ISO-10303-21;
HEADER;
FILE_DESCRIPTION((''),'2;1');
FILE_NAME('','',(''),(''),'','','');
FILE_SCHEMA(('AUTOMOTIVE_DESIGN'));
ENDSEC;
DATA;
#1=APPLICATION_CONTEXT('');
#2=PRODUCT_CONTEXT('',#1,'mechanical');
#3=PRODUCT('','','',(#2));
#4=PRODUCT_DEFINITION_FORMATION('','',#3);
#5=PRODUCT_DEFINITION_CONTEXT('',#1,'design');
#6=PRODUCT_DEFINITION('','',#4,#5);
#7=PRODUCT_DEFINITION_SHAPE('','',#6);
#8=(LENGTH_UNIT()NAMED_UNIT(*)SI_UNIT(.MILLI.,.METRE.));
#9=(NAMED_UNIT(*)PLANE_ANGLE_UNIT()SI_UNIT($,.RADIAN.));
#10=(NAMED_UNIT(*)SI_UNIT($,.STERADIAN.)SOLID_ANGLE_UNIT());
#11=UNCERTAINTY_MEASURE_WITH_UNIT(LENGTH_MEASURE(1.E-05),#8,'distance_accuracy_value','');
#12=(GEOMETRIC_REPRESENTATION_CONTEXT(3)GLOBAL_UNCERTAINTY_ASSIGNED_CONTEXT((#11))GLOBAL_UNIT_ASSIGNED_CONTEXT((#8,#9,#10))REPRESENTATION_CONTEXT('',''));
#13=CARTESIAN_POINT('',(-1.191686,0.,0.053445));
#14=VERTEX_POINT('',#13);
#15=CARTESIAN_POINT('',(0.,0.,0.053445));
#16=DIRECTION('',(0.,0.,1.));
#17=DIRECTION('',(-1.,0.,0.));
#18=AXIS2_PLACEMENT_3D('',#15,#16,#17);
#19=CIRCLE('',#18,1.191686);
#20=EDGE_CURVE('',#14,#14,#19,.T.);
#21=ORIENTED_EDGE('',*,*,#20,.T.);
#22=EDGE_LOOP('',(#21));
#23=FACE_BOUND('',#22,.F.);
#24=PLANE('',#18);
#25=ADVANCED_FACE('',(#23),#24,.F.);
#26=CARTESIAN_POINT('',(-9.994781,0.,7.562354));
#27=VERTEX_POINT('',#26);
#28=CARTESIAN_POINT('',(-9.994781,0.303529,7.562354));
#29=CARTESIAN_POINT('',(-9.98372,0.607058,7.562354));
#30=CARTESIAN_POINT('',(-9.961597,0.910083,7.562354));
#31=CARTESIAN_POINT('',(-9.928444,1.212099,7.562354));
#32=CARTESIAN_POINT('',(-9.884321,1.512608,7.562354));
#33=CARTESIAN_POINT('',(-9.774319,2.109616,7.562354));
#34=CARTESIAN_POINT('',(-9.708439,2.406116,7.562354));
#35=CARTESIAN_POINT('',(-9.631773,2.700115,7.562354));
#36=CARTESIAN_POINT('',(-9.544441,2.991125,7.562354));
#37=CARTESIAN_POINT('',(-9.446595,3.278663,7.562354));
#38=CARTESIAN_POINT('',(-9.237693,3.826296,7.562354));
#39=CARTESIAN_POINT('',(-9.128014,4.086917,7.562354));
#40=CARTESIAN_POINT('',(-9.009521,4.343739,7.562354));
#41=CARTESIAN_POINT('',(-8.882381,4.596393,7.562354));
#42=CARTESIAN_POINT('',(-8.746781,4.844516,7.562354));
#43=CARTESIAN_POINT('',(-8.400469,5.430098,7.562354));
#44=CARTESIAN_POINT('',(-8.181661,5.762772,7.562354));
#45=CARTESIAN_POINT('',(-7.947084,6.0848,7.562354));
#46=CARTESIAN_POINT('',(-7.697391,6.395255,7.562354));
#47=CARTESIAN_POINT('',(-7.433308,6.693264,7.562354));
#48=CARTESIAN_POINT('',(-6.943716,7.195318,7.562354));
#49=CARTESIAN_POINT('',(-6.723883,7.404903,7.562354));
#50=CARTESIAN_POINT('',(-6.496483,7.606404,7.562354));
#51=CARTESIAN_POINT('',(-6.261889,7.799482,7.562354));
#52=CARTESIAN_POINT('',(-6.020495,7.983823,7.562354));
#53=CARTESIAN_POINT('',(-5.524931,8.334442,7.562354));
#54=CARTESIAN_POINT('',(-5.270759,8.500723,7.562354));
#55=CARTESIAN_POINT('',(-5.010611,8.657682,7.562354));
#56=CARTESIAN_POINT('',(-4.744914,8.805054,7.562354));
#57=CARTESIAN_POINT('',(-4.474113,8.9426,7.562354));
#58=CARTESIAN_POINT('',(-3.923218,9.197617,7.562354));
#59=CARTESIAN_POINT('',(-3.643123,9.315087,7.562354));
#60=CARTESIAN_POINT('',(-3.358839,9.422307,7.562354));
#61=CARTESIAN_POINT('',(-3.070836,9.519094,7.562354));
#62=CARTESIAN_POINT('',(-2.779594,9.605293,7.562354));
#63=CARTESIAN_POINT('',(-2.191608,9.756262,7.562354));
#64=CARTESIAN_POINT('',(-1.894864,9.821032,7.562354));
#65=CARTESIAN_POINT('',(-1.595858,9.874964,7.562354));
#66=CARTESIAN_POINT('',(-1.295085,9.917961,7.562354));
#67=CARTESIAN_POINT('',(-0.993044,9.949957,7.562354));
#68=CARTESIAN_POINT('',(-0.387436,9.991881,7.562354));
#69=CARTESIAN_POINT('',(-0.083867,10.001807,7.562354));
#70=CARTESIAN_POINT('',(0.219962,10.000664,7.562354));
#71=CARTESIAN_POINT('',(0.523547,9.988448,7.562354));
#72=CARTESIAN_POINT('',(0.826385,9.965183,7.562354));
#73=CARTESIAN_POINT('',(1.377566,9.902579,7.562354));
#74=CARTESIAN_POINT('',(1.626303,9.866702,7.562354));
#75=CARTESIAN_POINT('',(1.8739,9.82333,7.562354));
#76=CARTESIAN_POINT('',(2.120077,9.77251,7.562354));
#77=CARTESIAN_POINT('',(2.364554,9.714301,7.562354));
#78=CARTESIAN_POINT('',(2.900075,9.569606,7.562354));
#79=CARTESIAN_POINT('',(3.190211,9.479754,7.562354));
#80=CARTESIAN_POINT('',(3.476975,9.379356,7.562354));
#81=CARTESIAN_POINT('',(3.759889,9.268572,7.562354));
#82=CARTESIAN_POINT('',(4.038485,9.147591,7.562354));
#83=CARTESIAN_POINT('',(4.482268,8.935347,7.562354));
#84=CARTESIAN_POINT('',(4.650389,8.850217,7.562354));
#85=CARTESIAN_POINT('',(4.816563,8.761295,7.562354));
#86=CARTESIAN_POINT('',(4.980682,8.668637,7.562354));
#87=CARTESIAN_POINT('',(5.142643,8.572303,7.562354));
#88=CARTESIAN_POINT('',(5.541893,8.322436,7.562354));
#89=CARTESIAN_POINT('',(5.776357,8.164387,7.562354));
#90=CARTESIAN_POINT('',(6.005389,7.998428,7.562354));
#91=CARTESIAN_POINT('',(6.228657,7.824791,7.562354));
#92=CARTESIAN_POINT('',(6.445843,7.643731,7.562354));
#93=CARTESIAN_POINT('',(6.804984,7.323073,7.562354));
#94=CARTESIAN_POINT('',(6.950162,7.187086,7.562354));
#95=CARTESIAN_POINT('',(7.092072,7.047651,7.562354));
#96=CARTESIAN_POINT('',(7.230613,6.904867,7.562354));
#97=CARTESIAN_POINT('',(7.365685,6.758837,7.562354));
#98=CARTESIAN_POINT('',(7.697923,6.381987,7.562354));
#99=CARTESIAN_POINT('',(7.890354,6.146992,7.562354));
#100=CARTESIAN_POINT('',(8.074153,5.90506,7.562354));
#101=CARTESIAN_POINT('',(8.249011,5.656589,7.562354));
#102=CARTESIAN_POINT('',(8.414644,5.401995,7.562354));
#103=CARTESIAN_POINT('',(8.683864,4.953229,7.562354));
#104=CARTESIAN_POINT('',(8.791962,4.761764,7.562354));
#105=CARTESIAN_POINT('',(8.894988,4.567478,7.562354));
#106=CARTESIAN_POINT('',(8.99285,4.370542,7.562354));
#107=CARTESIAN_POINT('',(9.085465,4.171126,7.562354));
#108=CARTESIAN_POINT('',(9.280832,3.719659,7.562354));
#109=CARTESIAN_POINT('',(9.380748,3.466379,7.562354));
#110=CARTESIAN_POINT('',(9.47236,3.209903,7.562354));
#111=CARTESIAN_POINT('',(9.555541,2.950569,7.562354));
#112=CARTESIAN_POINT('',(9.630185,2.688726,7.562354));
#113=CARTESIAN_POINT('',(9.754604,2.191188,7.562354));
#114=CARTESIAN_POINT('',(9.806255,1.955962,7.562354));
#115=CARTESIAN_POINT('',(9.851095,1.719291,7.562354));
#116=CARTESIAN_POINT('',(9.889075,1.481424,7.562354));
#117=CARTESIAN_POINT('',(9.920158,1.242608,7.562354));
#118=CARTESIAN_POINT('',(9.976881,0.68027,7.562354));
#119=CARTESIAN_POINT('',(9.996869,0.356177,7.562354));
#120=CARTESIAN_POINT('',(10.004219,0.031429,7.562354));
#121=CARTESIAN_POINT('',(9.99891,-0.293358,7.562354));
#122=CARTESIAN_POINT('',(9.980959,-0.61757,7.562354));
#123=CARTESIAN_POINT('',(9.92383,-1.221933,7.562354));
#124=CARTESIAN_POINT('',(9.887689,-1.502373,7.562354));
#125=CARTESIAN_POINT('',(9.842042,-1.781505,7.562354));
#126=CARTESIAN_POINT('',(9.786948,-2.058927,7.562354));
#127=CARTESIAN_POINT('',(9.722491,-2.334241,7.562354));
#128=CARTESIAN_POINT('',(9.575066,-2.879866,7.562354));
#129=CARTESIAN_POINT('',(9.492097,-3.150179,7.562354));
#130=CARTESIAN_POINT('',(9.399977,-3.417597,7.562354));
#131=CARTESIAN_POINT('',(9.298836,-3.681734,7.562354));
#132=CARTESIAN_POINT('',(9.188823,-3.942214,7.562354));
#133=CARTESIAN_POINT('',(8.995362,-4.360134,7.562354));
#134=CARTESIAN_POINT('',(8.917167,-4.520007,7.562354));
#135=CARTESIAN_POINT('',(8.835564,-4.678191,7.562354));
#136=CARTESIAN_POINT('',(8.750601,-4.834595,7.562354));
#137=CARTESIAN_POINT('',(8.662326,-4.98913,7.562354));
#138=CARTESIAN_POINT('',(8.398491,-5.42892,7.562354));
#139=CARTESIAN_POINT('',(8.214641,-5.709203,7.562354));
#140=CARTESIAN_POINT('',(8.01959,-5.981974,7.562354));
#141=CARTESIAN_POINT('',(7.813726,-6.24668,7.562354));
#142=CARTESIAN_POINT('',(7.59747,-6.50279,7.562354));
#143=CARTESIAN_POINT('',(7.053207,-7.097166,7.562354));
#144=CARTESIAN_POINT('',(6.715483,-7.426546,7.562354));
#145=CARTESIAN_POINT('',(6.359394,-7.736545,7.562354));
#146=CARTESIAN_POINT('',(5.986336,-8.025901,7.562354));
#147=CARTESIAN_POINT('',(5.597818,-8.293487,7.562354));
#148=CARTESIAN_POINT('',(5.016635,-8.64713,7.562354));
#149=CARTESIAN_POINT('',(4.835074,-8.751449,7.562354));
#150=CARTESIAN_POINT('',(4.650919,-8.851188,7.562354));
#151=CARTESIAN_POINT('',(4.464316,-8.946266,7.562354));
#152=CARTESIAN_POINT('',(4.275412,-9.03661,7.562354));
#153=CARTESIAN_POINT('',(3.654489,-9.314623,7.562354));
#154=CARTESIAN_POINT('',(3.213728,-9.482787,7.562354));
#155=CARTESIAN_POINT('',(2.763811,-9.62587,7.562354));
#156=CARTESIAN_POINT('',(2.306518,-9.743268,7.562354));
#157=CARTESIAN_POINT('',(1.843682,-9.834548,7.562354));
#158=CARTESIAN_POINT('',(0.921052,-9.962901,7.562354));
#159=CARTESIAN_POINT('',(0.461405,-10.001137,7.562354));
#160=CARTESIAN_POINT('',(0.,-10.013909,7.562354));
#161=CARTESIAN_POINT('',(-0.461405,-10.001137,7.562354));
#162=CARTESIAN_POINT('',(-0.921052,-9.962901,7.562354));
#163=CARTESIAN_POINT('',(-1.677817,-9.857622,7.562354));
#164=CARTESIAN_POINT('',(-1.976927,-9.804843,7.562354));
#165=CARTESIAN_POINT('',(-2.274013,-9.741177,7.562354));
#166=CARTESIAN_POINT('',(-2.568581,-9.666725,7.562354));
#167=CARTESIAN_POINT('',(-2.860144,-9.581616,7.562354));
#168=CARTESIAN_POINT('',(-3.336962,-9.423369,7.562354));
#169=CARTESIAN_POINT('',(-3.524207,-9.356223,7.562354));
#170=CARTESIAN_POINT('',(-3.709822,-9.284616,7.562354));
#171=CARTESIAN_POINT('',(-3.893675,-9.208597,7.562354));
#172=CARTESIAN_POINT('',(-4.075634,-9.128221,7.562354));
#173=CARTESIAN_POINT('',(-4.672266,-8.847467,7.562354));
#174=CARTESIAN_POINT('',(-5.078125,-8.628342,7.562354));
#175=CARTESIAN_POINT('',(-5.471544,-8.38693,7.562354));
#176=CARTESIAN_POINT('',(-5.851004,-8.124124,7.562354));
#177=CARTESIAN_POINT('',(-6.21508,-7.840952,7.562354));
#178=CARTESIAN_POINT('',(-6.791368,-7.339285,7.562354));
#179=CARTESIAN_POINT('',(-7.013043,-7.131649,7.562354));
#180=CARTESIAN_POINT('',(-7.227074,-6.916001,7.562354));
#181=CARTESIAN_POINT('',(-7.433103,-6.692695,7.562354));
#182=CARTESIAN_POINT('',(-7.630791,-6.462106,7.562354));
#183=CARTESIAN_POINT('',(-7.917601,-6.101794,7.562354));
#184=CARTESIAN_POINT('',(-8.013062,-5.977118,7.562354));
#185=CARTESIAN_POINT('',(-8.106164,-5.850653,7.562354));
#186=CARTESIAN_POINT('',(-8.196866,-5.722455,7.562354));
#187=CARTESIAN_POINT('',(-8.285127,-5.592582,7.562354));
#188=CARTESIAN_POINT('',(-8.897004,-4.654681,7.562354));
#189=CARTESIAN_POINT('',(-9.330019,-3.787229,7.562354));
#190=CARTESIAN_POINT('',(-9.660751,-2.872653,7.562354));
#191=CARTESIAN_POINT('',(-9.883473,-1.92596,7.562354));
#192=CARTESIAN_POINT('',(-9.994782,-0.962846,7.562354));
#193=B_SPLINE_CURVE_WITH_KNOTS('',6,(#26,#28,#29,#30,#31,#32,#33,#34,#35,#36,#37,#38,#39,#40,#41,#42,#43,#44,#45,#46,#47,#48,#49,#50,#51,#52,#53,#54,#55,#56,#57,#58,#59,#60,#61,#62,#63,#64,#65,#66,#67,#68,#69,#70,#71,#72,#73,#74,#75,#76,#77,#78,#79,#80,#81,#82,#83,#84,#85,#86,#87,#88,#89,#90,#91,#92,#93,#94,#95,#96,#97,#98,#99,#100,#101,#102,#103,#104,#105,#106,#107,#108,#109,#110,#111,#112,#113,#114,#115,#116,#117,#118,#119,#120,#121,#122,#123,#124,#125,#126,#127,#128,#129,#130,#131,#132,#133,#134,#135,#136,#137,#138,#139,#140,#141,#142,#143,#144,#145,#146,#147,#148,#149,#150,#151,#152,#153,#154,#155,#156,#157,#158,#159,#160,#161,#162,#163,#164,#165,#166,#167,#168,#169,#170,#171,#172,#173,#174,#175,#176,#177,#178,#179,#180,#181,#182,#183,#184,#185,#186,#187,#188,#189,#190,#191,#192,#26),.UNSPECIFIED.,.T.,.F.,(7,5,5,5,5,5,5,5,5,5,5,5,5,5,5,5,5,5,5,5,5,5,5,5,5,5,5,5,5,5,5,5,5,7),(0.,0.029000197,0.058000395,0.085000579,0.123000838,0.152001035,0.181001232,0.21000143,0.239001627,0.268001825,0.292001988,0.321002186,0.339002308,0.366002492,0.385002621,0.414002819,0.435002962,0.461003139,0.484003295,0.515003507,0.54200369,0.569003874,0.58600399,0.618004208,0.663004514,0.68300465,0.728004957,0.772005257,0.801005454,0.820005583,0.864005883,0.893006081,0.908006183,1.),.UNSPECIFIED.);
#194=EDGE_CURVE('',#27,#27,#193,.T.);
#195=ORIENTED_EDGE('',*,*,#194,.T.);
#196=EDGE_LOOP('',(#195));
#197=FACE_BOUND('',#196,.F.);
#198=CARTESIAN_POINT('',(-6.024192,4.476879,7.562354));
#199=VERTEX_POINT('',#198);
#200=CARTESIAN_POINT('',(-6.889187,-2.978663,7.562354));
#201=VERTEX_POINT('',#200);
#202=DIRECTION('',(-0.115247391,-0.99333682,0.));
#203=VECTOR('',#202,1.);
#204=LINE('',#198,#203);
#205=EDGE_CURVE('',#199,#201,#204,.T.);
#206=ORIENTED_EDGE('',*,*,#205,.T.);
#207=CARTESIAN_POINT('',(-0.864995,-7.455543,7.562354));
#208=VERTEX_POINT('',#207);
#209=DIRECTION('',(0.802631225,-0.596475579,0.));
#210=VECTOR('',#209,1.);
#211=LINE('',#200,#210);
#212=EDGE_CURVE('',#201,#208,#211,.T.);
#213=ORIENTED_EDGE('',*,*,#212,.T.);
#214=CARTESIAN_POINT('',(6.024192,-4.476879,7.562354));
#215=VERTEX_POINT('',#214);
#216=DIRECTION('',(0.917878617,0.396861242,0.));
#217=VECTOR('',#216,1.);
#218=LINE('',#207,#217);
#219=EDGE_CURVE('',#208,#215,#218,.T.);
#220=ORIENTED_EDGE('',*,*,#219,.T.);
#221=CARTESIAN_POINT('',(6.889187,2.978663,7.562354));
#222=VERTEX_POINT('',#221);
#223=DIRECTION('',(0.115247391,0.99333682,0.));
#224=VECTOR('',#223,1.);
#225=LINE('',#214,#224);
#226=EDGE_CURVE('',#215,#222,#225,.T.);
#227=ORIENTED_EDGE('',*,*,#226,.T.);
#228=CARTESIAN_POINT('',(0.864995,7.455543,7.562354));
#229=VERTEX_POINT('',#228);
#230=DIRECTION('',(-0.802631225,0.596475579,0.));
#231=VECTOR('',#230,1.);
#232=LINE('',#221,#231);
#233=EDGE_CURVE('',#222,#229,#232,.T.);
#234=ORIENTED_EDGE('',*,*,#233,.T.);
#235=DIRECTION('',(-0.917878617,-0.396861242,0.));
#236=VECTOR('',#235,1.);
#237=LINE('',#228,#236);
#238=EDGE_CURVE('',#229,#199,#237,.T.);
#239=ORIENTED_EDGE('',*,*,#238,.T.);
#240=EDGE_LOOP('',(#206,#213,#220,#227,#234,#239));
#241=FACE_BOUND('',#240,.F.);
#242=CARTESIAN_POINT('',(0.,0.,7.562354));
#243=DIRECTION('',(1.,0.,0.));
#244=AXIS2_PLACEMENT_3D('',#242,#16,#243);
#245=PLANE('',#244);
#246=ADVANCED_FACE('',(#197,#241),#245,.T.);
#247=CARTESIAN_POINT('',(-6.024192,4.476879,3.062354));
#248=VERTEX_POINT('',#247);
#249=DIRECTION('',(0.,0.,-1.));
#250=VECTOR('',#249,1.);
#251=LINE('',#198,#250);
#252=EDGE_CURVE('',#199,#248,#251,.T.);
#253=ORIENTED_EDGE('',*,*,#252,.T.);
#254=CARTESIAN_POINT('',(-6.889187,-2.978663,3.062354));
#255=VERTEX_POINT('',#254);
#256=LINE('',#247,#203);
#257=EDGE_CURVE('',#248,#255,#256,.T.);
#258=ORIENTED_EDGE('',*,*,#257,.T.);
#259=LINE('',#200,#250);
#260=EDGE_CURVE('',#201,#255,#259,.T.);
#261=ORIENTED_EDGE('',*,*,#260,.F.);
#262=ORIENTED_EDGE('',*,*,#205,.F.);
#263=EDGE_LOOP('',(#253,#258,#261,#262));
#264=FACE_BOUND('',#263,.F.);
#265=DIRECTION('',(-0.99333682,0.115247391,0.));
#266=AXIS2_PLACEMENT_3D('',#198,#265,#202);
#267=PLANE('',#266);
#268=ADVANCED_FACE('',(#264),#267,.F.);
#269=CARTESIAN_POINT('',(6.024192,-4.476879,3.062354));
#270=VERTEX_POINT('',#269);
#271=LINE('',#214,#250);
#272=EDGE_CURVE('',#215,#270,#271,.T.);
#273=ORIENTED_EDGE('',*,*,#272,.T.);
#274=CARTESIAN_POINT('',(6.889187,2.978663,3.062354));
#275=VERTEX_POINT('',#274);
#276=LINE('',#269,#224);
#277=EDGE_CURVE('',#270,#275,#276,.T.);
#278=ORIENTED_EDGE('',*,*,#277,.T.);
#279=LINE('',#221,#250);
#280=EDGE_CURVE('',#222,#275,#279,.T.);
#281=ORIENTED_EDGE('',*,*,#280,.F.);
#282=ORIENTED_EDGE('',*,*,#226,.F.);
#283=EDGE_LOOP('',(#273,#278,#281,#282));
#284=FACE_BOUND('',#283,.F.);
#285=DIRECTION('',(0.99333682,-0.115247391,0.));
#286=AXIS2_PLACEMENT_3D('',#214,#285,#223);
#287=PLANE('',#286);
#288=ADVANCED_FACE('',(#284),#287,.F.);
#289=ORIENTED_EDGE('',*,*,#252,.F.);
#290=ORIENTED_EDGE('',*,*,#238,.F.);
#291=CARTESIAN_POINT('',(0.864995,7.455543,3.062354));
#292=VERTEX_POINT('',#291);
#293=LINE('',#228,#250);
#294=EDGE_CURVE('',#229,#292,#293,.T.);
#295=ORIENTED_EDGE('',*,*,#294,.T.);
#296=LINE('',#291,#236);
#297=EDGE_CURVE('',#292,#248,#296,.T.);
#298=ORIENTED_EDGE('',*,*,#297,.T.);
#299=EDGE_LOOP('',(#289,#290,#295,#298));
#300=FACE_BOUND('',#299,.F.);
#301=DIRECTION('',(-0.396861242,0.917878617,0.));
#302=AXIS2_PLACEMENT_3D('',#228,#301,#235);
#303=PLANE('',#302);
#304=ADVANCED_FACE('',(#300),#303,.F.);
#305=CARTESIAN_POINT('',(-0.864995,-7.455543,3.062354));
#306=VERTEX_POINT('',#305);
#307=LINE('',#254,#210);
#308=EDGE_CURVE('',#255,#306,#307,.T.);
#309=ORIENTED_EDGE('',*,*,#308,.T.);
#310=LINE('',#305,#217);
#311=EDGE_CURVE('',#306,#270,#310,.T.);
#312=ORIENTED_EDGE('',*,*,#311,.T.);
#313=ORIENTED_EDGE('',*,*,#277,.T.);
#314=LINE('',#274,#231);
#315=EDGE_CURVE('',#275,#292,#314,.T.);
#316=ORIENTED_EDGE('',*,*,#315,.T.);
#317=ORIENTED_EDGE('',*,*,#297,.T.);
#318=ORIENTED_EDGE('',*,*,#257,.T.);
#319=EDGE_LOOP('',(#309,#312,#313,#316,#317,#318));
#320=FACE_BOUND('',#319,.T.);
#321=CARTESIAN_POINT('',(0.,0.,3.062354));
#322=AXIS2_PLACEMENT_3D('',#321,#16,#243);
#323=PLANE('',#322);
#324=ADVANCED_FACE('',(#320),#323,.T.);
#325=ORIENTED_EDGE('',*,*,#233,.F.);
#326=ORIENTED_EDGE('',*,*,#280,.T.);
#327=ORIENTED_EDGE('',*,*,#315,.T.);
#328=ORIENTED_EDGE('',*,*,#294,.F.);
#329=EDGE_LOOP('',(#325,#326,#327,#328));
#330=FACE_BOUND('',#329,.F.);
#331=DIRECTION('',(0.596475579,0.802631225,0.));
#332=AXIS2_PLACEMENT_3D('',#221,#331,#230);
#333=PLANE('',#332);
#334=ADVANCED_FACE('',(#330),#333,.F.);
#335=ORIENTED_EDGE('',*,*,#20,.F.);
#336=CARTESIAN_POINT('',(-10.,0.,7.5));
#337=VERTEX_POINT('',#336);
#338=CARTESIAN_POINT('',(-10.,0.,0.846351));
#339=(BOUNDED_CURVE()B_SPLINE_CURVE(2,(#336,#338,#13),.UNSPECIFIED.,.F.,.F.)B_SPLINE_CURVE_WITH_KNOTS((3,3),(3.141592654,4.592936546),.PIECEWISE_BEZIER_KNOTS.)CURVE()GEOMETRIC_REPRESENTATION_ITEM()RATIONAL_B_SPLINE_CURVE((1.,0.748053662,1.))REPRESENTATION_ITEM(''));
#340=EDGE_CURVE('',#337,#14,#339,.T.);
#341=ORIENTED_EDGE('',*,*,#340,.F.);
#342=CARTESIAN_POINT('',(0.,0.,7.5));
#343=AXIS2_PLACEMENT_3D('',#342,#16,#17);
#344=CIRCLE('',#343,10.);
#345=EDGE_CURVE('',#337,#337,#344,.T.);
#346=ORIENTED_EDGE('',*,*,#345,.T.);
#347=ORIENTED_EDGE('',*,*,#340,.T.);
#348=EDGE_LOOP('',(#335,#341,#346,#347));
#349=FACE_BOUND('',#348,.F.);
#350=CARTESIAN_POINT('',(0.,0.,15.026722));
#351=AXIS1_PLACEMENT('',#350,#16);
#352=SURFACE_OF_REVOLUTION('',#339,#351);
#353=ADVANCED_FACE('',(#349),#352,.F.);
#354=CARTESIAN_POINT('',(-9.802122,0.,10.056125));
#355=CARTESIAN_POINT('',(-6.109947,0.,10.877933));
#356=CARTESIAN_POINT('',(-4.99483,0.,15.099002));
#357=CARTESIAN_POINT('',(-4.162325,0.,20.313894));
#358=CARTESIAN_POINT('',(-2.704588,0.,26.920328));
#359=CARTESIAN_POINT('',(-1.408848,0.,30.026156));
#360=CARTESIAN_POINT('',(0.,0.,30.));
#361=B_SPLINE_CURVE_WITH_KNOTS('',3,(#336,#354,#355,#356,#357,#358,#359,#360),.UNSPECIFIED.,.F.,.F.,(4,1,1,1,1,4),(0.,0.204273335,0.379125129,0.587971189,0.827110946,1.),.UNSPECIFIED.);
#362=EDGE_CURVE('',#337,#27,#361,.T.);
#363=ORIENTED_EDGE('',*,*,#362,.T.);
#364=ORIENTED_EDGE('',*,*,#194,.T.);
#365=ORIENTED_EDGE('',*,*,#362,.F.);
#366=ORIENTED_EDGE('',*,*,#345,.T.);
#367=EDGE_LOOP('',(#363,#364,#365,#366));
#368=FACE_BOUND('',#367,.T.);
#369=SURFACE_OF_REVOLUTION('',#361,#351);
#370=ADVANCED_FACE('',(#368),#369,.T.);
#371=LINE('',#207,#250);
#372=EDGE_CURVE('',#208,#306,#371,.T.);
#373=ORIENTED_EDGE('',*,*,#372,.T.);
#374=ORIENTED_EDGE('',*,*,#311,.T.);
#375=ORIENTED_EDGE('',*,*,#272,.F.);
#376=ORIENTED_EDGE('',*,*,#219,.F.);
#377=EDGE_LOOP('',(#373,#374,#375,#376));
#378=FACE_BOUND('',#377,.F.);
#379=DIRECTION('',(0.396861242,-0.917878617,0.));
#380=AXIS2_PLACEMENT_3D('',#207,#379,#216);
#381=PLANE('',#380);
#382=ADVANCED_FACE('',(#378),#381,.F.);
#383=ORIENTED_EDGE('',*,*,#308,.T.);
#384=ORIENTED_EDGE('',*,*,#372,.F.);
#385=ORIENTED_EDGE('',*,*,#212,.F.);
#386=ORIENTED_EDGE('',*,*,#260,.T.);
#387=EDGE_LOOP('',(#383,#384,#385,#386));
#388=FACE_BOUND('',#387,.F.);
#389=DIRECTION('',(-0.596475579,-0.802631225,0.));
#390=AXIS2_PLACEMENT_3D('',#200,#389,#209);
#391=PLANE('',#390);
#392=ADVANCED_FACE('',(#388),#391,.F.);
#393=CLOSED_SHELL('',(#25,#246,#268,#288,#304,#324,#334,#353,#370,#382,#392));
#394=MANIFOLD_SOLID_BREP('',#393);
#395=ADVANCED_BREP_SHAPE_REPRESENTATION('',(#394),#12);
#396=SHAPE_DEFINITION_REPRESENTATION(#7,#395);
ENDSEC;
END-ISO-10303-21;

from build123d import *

# Parameters (mm, degrees)
F2_W     = 23.8761305809
F2_H     = 26.7452821136
F5_DEPTH = 4.5


with BuildPart() as f1:
    # F0 (on Front) → F1 (revolve)
    with BuildSketch(Plane.XZ):
        with BuildLine():
            Line((-1.1916856134, 0.0534447201), (0, 0.0534447201))
            Line((0, 0.0534447201), (0, 30))
            add(Edge.make_bspline(
                [(-10, 7.5), (-9.8021219863, 10.0561250989), (-6.1099474992, 10.8779325172), (-4.9948301441, 15.0990017205), (-4.1623246174, 20.313894175), (-2.7045884363, 26.9203276568), (-1.4088483591, 30.026155894), (0, 30)],
                knots=[0, 0, 0, 0, 0.2042733355, 0.3791251291, 0.5879711886, 0.8271109457, 1, 1, 1, 1], degree=3))
            add(Edge.make_bspline(
                [(-10, 7.5), (-10, 0.8463505524), (-1.1916856134, 0.0534447201)],
                knots=[3.1415926536, 3.1415926536, 3.1415926536, 4.5929365462, 4.5929365462, 4.5929365462], degree=2, weights=[1, 0.7480536616, 1]))
        make_face()
    revolve(axis=Axis((0, 0, 15.02672236), (0, 0, 1)))

    # F2 (on Front) → F3 (revolve, cut)
    with BuildSketch(Plane.XZ):
        with Locations((11.9380652905, 20.9349952638)):
            Rectangle(F2_W, F2_H)
    revolve(axis=Axis((0, 0, 20.9349952638), (0, 0, 1)), mode=Mode.SUBTRACT)

    # F4 (on face) → F5 (cut)
    with BuildSketch(Plane.XY.offset(7.562354207)):
        Polygon((-0.8649954612, -7.4555426486), (6.0241916021, -4.4768793678), (6.8891870633, 2.9786632808), (0.8649954612, 7.4555426486), (-6.0241916021, 4.4768793678), (-6.8891870633, -2.9786632808), align=None)
    extrude(amount=-F5_DEPTH, mode=Mode.SUBTRACT)


solid = f1.part
